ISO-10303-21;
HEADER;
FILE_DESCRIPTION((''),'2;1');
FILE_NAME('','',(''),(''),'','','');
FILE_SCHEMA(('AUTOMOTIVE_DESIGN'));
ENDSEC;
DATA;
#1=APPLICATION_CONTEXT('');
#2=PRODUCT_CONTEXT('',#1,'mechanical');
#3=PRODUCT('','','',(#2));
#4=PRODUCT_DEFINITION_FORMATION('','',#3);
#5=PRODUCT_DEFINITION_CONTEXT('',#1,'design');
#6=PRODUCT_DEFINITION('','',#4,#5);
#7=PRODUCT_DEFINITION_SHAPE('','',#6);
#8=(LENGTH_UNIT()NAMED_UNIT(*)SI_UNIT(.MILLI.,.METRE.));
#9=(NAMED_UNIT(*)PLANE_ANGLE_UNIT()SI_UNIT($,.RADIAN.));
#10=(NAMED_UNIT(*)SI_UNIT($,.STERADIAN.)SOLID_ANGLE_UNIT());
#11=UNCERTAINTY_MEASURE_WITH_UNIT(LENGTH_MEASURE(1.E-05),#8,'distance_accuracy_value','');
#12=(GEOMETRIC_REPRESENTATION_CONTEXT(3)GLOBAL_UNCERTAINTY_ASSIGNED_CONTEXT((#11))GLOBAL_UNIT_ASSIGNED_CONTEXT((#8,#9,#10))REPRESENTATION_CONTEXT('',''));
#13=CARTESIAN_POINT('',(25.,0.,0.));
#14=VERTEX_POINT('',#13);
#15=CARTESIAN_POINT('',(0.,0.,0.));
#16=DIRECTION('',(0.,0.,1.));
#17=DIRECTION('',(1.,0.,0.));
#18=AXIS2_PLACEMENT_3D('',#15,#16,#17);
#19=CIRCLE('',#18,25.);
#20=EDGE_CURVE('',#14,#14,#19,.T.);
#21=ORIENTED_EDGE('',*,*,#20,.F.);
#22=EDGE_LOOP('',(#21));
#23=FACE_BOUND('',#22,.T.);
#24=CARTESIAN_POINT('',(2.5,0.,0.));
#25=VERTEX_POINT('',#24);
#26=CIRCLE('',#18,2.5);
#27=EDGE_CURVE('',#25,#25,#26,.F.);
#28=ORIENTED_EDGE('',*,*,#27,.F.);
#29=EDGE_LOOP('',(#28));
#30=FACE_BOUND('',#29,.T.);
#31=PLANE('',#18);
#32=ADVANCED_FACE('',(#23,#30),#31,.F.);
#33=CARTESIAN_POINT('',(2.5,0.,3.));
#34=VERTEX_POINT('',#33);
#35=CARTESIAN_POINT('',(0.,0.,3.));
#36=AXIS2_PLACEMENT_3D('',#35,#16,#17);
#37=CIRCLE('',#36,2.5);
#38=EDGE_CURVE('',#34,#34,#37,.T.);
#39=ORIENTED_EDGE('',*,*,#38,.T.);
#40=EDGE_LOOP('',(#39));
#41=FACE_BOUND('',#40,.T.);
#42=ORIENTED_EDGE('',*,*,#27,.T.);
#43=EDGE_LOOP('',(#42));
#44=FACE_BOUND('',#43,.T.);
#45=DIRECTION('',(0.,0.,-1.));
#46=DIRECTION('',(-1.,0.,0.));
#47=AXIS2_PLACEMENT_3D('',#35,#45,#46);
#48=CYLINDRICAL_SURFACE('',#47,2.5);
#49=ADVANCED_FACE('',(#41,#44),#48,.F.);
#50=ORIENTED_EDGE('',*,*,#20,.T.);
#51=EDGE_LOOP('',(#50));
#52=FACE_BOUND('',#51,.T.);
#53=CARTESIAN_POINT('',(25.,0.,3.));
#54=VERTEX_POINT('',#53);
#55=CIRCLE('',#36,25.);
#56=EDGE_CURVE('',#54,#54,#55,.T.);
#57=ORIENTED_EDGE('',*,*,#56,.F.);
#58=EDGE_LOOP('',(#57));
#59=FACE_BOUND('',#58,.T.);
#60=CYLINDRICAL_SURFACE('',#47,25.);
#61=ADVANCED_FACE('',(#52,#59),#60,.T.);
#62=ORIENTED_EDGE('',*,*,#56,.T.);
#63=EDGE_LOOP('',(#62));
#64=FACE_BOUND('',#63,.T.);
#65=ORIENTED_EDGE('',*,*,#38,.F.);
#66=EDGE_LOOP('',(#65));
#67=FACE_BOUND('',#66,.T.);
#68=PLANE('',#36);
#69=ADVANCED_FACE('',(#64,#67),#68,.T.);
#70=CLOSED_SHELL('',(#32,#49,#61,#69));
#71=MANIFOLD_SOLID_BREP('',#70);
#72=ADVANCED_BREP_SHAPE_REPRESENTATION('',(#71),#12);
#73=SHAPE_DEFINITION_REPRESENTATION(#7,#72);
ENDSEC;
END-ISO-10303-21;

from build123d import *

# Parameters (mm, degrees)
SKETCH1_R               = 25
BOSS_EXTRUDE1_DEPTH     = 3
CUT_EXTRUDE1_DEPTH      = 36.482389998
CUT_EXTRUDE1_DEPTH_BACK = 36.482389998
SKETCH3_R               = 2.5


with BuildPart() as part:
    # Sketch1 → Boss-Extrude1 (new body)
    with BuildSketch(Plane(origin=(0, 0, 0), x_dir=(0, 1, 0), z_dir=(0, 0, 1))):
        with Locations(Location((0, 0, 0), (0, 0, 270))):
            Circle(SKETCH1_R)
    extrude(amount=BOSS_EXTRUDE1_DEPTH)

    # Sketch3 → Cut-Extrude1 (cut, two sides: drawn at the far end of the back side and taken through both)
    with BuildSketch(Plane(origin=(0, 0, 0), x_dir=(0, 1, 0), z_dir=(0, 0, 1)).offset(-CUT_EXTRUDE1_DEPTH_BACK)):
        with Locations(Location((0, 0, 0), (0, 0, 270))):
            Circle(SKETCH3_R)
    extrude(amount=CUT_EXTRUDE1_DEPTH + CUT_EXTRUDE1_DEPTH_BACK, mode=Mode.SUBTRACT)


solid = part.part
